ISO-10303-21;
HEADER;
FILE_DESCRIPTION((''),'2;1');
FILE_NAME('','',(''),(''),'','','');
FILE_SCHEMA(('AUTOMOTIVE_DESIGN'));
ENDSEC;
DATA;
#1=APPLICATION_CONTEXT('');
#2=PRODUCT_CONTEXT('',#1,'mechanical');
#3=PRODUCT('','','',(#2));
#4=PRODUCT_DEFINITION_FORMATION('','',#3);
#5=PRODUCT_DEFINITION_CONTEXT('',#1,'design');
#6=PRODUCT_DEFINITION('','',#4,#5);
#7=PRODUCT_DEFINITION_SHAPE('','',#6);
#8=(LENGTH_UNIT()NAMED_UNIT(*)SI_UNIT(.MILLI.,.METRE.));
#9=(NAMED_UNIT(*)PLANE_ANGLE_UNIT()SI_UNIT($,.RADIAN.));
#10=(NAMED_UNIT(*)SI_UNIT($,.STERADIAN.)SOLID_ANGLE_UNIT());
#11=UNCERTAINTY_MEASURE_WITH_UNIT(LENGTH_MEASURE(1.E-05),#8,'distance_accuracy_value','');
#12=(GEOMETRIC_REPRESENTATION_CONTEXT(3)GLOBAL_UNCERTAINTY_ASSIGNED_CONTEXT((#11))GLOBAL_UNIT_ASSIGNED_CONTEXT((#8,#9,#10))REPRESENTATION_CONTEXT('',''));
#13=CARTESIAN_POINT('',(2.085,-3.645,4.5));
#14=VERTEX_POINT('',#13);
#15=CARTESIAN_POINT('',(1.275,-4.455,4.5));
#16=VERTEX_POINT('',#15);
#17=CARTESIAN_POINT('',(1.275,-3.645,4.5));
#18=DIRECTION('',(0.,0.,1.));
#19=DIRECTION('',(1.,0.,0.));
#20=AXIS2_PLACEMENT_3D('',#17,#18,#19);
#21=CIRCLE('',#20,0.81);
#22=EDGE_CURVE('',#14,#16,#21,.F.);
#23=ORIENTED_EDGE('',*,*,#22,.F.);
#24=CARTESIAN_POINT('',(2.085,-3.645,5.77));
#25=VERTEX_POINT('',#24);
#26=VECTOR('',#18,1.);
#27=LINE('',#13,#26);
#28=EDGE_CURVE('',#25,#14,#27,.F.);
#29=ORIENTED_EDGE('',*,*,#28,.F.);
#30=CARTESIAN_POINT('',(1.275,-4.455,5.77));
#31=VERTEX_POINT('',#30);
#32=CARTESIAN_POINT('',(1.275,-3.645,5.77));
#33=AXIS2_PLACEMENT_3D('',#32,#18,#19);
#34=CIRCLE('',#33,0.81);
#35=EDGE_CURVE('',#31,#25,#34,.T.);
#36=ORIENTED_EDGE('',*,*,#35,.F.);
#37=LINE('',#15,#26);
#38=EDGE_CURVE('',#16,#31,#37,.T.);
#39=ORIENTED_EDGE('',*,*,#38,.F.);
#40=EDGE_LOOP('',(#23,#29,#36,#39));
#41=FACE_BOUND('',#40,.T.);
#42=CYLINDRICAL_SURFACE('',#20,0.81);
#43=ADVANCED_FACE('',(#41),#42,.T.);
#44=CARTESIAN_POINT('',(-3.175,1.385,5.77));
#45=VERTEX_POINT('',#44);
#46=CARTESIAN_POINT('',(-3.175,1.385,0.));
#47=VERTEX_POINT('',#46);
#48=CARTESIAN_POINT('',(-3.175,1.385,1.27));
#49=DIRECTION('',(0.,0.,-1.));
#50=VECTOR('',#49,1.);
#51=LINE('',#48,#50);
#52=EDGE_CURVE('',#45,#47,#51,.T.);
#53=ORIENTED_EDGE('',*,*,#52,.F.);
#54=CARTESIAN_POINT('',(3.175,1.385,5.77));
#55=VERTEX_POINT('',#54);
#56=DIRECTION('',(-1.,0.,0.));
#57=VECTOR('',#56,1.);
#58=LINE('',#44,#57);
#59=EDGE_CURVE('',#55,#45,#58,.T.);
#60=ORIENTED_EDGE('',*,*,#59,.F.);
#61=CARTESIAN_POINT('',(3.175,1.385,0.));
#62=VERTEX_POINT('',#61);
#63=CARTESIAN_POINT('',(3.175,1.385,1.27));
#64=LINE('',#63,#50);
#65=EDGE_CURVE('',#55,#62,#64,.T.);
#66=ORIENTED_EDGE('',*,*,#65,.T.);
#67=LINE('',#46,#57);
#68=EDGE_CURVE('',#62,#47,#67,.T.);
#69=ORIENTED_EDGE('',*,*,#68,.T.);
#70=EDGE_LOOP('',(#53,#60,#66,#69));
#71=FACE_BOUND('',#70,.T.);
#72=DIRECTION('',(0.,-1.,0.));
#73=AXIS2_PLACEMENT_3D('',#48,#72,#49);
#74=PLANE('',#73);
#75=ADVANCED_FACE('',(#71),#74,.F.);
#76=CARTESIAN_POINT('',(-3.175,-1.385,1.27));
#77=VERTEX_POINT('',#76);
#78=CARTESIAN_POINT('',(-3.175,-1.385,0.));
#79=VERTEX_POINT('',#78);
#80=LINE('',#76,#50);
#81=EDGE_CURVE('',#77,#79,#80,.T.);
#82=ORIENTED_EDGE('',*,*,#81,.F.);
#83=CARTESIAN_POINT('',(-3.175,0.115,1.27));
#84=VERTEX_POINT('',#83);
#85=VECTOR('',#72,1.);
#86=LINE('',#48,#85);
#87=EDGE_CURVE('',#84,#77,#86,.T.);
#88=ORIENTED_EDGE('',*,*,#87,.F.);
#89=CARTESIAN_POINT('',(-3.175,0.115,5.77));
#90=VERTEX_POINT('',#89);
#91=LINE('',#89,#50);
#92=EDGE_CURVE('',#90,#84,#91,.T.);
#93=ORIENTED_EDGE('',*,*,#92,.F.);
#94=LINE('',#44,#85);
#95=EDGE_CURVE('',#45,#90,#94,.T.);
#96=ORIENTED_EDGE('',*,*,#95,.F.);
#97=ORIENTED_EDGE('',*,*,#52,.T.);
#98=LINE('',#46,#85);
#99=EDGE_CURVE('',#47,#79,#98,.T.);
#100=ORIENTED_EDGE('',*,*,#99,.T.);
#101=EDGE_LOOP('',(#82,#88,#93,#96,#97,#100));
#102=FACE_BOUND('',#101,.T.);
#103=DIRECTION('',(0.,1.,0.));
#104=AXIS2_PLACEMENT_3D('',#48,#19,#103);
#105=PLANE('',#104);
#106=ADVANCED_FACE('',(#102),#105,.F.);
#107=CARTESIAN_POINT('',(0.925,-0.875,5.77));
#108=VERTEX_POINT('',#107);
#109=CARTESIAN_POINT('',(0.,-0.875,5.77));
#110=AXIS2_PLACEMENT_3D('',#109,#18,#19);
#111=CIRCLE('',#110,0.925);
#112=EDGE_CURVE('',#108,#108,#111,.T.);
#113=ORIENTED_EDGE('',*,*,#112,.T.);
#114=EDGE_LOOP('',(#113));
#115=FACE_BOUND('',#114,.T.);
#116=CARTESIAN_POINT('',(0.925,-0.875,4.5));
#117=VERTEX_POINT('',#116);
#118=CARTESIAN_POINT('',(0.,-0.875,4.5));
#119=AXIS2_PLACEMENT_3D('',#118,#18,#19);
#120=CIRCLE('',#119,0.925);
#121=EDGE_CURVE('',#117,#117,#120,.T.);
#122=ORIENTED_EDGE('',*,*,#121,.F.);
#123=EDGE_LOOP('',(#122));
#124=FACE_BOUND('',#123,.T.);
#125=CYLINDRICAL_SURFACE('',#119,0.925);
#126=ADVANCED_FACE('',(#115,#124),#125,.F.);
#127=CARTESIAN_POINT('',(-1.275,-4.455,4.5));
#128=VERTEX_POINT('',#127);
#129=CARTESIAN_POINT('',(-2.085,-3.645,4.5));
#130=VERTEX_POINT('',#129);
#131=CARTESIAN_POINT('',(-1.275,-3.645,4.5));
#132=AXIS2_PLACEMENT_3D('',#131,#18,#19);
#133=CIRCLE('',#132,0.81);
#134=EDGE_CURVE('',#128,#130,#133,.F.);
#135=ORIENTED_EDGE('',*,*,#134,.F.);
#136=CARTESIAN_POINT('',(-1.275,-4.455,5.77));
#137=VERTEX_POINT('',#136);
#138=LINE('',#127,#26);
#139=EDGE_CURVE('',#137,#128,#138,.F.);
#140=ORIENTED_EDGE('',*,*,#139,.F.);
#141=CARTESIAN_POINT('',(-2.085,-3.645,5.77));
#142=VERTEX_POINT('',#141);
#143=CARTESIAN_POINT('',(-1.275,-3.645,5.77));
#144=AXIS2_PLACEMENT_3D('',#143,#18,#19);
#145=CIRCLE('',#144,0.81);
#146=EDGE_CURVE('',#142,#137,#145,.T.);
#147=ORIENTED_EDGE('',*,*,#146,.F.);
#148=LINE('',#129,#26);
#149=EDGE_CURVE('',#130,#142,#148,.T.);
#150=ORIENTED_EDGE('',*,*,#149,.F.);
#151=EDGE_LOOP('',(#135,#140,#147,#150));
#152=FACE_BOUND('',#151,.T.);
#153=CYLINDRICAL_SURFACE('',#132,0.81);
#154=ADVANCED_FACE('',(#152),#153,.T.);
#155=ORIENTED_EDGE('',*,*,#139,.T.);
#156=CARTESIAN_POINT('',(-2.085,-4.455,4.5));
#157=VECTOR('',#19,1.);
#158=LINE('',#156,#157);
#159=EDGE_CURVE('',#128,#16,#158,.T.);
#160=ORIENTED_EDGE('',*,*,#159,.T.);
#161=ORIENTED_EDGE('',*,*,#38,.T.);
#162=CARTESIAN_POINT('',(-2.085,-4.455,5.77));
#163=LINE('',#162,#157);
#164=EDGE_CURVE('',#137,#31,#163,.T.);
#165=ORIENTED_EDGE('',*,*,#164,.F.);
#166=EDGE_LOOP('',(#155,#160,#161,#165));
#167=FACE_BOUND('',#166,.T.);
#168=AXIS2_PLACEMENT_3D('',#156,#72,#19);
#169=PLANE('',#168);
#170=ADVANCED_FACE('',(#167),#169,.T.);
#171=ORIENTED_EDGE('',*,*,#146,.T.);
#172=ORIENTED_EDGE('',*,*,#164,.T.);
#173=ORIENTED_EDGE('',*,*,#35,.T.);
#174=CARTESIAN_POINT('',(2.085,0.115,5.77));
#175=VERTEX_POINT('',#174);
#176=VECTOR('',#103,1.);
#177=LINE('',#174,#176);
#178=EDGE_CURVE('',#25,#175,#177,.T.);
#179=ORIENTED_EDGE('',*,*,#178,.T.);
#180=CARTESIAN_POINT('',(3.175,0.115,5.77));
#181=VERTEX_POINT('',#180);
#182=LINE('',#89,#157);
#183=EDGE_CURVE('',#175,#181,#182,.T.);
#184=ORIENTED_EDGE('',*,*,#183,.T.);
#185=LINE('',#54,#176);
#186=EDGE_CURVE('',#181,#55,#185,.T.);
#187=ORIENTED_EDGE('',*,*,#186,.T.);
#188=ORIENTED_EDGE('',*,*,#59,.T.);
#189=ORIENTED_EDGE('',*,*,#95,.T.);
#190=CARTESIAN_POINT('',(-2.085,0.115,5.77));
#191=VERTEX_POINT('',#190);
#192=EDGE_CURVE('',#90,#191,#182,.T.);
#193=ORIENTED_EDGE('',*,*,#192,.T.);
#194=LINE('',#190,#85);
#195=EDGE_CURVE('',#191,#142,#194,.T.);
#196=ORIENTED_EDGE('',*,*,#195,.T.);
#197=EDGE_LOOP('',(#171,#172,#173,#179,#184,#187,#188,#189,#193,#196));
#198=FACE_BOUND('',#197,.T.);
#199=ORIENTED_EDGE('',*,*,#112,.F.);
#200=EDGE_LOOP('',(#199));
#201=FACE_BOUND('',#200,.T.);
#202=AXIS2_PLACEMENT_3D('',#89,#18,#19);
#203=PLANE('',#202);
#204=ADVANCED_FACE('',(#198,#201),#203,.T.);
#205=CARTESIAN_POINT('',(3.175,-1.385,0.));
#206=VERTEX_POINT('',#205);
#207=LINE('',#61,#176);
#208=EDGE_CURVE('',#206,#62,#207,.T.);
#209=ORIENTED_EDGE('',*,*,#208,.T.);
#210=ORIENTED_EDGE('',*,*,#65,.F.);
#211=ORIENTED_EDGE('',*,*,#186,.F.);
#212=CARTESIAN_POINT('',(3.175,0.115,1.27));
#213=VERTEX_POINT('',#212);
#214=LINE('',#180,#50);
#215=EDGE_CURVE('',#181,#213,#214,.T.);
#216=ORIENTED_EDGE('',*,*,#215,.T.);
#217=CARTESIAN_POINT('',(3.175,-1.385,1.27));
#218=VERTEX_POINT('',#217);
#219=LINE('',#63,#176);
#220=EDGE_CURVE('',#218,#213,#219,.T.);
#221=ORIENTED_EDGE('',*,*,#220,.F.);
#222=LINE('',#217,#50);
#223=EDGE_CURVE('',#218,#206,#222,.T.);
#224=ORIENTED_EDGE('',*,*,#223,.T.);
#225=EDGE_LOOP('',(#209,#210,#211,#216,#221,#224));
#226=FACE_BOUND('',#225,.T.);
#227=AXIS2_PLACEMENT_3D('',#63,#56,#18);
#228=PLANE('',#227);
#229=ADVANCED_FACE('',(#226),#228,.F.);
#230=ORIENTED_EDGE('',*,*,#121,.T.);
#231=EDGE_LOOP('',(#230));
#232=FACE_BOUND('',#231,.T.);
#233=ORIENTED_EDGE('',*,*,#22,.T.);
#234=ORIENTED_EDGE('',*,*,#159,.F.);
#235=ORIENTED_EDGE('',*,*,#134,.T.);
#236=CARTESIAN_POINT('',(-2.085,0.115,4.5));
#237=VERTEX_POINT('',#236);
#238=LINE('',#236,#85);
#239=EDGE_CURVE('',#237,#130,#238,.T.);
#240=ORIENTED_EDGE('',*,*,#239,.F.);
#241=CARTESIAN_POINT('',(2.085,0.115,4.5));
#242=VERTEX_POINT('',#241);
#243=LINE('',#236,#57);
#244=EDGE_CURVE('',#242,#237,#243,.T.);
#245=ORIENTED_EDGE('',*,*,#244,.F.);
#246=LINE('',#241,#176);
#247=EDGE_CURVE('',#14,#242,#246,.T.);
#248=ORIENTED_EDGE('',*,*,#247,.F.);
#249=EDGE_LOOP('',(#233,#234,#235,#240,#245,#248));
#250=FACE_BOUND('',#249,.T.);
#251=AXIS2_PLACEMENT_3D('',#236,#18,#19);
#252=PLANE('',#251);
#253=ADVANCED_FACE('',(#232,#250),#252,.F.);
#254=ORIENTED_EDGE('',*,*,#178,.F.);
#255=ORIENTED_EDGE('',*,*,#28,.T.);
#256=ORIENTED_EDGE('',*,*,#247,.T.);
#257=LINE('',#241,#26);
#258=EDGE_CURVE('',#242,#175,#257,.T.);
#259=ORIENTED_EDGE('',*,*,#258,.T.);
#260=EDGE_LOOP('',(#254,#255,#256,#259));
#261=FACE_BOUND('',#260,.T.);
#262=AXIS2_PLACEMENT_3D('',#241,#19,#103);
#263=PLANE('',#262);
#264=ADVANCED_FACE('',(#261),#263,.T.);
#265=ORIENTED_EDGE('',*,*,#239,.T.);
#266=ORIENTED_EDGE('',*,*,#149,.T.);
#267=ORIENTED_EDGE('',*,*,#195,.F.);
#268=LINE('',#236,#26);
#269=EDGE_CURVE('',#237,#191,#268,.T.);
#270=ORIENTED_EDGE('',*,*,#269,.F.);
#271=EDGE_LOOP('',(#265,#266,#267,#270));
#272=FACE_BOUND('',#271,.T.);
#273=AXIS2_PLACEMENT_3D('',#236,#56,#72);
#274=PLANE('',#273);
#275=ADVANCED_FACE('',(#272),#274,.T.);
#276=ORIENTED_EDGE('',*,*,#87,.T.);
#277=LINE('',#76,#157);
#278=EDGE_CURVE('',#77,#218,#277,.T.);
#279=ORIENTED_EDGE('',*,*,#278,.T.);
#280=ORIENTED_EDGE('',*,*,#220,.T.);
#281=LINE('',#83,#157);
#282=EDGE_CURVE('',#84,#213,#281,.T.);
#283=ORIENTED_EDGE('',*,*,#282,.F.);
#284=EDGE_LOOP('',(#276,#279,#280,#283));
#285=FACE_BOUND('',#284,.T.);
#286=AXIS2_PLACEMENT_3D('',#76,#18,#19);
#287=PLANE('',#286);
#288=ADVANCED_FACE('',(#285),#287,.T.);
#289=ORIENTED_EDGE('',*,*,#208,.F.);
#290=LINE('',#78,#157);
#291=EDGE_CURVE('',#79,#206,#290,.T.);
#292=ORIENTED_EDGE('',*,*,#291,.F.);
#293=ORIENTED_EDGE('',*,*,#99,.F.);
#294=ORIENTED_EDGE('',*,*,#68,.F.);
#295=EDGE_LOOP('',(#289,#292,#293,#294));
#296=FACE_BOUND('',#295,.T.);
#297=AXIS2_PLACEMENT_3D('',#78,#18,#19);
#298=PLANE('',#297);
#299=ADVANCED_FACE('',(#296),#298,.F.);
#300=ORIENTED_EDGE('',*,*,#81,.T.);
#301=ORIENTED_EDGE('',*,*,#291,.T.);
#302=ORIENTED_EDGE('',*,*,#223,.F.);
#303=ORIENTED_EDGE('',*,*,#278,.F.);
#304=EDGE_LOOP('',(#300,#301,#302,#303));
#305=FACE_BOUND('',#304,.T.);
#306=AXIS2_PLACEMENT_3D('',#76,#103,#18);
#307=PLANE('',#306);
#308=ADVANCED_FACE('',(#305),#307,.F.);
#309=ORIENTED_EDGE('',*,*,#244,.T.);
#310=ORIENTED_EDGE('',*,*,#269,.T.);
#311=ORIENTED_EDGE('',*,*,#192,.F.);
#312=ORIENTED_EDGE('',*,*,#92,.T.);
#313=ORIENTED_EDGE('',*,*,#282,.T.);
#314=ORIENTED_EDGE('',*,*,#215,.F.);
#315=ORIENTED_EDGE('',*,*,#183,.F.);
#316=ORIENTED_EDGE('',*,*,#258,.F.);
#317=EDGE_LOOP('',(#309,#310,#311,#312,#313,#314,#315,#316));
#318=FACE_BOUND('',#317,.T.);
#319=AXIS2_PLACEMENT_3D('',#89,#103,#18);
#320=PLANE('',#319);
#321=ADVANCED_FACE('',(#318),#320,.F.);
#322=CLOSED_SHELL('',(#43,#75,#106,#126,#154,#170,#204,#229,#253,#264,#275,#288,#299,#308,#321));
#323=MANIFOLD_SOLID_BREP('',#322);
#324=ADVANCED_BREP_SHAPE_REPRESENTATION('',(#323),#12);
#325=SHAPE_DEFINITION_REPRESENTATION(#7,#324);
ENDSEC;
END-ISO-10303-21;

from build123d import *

# Parameters (mm, degrees)
SKETCH1_W      = 6.35
SKETCH1_H      = 2.77
EXTRUDE1_DEPTH = 1.27
SKETCH2_W      = 6.35
SKETCH2_H      = 1.27
EXTRUDE2_DEPTH = 4.5
SKETCH3_W      = 4.17
SKETCH3_H      = 4.57
SKETCH3_R      = 0.925
EXTRUDE3_DEPTH = 1.27
FILLET1_R      = 0.81


with BuildPart() as part:
    # Sketch1 → Extrude1 (new body)
    with BuildSketch(Plane.XY):
        Rectangle(SKETCH1_W, SKETCH1_H)
    extrude(amount=EXTRUDE1_DEPTH)

    # Sketch2 → Extrude2 (add)
    with BuildSketch(Plane.XY.offset(1.27)):
        with Locations((0, 0.75)):
            Rectangle(SKETCH2_W, SKETCH2_H)
    extrude(amount=EXTRUDE2_DEPTH)

    # Sketch3 → Extrude3 (add)
    with BuildSketch(Plane.XY.offset(5.77)):
        with Locations((0, -2.17)):
            Rectangle(SKETCH3_W, SKETCH3_H)
        with Locations((0, -0.875)):
            Circle(SKETCH3_R, mode=Mode.SUBTRACT)
    extrude(amount=-EXTRUDE3_DEPTH)

    # Fillet1
    fillet1_edges = [part.edges().sort_by_distance(p)[0] for p in [
        (-2.085, -4.455, 5.135),
        (2.085, -4.455, 5.135),
    ]]
    fillet(fillet1_edges, radius=FILLET1_R)


solid = part.part
